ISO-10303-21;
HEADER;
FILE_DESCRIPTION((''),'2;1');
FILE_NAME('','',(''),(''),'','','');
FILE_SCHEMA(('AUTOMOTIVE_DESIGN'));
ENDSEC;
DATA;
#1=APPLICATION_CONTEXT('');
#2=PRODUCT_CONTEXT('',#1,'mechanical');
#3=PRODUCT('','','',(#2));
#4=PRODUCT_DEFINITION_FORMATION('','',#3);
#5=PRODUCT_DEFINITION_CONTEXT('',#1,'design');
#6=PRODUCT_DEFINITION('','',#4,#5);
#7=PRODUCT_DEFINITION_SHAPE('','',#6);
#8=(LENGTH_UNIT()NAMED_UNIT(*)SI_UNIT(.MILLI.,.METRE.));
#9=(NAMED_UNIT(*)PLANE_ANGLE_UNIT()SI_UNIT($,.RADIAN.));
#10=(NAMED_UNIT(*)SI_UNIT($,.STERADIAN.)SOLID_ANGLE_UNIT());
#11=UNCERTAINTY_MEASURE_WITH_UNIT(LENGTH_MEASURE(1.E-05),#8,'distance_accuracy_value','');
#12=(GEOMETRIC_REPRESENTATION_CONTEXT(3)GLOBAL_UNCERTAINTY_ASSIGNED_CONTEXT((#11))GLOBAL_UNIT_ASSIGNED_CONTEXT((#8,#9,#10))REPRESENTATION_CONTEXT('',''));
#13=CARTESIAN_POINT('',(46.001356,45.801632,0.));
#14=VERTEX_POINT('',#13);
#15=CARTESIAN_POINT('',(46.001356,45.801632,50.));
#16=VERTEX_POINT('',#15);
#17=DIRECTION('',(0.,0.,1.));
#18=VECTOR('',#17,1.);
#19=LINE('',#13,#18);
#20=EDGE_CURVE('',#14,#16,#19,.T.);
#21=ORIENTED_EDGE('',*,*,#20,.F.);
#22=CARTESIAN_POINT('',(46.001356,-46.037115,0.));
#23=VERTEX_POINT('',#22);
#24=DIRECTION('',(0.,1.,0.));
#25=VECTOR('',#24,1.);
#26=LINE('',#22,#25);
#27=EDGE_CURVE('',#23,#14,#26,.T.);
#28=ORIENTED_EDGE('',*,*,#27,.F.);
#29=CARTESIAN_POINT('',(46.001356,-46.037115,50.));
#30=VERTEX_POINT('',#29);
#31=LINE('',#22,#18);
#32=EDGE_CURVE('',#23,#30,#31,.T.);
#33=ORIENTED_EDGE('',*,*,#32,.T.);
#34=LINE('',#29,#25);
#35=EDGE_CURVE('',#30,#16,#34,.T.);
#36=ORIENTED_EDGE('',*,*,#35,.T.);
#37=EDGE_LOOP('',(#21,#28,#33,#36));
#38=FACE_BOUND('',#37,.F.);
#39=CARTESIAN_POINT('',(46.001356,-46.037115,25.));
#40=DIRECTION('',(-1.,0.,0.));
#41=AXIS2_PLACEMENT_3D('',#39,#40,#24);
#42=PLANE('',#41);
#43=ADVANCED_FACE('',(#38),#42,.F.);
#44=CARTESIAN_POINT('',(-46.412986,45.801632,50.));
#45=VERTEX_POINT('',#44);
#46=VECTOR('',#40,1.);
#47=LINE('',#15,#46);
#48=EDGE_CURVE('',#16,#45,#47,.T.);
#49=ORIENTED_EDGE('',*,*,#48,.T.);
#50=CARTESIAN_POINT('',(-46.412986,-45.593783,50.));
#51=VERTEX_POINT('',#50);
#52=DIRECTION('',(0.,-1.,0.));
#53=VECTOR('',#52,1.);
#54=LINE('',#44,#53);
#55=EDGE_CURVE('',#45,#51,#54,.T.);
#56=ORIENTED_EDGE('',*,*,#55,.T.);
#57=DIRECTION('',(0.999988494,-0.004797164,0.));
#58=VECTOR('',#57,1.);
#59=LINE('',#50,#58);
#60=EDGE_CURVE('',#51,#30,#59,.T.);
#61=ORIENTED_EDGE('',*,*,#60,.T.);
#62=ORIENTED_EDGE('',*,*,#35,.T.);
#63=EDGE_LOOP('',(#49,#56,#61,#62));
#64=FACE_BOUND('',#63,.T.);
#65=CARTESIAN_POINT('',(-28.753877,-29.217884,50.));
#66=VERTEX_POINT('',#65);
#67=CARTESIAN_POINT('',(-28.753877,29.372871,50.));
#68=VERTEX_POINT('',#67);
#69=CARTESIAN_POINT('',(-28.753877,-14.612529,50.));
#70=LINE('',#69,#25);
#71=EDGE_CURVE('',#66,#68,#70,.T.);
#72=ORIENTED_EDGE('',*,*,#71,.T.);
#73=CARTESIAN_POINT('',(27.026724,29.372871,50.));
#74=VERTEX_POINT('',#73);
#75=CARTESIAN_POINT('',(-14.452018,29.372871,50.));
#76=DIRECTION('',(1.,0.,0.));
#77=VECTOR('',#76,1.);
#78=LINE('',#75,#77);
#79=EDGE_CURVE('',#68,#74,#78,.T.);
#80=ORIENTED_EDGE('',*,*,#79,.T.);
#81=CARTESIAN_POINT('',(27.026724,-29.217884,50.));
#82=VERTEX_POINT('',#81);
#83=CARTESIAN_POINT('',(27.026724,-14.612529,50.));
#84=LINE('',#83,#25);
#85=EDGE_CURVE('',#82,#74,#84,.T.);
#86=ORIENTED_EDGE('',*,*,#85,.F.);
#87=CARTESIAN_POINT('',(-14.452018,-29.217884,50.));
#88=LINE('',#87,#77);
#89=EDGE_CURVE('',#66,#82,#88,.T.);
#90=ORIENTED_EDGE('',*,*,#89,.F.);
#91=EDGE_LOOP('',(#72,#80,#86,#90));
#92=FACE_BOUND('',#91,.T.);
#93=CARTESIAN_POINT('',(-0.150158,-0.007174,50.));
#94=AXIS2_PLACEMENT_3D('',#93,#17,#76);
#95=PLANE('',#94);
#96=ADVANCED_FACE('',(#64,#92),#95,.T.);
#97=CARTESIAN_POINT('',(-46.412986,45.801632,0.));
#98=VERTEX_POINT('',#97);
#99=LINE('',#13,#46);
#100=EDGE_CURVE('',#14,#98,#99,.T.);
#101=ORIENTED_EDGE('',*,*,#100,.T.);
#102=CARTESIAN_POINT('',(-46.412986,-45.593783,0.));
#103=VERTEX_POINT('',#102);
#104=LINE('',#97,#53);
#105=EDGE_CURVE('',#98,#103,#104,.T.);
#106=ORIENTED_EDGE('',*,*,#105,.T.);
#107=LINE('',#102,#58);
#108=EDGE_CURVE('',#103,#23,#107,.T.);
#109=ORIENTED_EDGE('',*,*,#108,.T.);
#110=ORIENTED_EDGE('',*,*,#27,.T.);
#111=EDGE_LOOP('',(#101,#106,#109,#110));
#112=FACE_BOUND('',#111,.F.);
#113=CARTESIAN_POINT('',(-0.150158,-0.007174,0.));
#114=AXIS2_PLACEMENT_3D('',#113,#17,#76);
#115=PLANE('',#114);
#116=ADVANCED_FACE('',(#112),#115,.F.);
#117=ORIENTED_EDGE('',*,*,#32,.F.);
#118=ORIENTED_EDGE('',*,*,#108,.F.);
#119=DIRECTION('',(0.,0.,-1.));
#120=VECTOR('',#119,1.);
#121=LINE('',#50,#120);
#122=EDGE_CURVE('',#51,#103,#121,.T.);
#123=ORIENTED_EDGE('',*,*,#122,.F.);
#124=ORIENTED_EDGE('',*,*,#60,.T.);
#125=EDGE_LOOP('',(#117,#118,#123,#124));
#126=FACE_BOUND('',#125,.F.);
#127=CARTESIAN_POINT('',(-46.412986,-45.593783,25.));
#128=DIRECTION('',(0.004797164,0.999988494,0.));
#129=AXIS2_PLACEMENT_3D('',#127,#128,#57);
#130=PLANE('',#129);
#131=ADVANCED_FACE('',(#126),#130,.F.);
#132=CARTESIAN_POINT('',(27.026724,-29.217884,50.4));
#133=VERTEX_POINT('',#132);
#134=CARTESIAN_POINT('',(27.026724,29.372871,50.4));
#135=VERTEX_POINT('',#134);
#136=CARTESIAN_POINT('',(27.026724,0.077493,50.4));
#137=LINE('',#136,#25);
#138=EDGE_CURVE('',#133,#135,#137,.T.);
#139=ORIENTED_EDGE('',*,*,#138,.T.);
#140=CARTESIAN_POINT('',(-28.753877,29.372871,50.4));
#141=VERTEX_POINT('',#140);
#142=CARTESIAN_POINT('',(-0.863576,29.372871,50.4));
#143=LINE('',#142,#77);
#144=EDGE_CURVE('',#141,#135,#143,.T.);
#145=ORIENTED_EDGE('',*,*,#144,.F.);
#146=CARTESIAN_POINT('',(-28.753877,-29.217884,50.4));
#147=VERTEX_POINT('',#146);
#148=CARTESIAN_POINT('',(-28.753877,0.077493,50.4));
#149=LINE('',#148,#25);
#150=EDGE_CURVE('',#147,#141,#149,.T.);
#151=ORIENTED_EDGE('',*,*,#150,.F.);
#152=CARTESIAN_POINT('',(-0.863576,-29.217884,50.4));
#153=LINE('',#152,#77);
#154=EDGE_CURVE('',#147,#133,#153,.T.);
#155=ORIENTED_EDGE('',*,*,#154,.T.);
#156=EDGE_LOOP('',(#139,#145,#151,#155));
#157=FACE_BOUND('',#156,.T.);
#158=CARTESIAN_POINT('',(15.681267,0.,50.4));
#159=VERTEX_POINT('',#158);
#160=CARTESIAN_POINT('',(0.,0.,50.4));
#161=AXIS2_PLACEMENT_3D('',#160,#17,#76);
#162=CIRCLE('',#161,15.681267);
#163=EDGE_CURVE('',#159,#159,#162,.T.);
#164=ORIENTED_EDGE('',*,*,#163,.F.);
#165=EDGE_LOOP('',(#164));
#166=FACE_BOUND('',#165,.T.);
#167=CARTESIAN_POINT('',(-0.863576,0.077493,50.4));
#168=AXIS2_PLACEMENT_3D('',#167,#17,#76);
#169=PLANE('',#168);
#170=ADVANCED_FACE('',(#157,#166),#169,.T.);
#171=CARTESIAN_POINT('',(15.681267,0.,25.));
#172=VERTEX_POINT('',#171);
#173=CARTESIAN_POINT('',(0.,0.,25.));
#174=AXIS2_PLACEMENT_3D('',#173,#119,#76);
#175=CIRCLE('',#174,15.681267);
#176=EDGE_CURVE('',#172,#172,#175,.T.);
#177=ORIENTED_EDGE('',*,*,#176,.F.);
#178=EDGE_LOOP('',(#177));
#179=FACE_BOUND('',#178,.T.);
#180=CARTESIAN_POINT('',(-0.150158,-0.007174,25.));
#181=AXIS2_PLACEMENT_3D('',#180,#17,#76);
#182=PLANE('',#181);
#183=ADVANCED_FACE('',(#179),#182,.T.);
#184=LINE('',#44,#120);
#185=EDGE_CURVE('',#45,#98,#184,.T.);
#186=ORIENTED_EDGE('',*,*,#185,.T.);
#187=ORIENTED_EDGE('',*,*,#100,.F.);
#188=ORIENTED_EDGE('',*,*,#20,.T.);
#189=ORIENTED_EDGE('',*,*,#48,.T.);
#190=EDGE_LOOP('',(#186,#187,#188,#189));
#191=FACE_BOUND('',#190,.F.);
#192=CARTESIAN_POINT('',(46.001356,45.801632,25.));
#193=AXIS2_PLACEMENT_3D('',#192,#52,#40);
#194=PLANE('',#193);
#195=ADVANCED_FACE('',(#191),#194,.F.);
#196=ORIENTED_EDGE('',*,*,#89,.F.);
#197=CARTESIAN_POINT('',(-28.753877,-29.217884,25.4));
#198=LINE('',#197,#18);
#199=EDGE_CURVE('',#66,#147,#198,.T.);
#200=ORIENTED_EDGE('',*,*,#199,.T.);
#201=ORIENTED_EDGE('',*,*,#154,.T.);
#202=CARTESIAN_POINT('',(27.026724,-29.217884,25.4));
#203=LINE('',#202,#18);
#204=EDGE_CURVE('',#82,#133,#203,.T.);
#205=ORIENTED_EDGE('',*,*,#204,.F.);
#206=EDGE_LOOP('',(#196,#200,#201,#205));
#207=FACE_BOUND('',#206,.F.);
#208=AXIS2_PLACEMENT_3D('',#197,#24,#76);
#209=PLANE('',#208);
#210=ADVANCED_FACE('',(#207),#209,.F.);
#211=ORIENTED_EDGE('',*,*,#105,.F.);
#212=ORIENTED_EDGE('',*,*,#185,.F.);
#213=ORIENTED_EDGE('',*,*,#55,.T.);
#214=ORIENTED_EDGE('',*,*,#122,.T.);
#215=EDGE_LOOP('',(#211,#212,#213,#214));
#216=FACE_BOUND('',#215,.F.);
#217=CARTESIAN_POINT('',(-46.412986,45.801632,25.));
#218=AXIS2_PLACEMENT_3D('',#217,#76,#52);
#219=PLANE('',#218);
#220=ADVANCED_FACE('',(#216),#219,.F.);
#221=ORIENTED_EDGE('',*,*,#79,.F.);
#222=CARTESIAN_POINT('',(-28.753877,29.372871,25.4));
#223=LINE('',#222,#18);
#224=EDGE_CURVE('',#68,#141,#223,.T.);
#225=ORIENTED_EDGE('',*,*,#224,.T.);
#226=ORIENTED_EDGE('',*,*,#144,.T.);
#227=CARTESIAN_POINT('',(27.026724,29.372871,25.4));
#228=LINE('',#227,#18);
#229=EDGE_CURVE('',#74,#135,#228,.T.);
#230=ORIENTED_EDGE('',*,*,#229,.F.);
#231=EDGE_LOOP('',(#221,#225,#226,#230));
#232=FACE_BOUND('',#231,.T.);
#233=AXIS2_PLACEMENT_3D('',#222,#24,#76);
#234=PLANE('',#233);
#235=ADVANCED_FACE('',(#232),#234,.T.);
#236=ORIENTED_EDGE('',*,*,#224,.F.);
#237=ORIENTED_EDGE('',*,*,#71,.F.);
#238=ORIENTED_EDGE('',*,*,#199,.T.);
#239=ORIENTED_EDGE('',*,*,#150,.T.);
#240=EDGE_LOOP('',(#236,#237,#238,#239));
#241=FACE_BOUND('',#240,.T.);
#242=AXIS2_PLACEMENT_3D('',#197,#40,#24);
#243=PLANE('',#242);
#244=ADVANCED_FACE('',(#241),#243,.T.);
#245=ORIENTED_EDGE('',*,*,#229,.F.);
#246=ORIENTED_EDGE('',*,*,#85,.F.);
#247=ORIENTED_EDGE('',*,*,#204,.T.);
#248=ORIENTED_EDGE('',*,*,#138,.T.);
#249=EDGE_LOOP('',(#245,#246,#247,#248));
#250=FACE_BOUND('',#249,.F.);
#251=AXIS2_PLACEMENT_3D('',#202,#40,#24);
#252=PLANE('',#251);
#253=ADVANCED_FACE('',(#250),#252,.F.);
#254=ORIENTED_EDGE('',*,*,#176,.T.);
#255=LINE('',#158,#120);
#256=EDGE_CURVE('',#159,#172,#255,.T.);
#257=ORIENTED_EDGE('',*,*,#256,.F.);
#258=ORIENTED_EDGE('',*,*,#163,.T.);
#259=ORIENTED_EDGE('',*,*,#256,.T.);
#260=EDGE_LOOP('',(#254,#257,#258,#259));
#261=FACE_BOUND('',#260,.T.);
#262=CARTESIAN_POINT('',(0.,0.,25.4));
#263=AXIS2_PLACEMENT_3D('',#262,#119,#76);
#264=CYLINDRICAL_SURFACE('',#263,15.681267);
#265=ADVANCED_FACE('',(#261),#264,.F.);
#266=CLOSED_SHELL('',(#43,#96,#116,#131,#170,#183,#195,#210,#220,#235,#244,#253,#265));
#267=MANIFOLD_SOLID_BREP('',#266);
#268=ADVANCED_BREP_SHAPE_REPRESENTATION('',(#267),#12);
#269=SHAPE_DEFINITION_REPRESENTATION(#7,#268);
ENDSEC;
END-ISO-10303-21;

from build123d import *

# Parameters (mm, degrees)
F0_W     = 55.7806007564
F0_H     = 58.5907548666
F0_R     = 15.6812666629
F1_DEPTH = 25.4
F3_DEPTH = 25
F4_DEPTH = 25


with BuildPart() as f1:
    # F0 (on Top) → F1 (new body)
    with BuildSketch(Plane.XY):
        with Locations((-0.8635763079, 0.0774934888)):
            Rectangle(F0_W, F0_H)
        Circle(F0_R, mode=Mode.SUBTRACT)
    extrude(amount=F1_DEPTH)

    # F2 (on Top) → F3 (join)
    with BuildSketch(Plane.XY):
        Polygon((-46.4129857719, -45.5937832594), (46.0013560951, -46.0371151567), (46.0013560951, 45.8016321063), (-46.4129857719, 45.8016321063), align=None)
    extrude(amount=F3_DEPTH)

    # F4 (add): faces of the model
    f4_faces = [f1.faces().sort_by_distance(p)[0] for p in [
        (26.2177523788, 0.0774934888, 25.4),
        (-0.199564745, -44.5125917544, 25),
    ]]
    extrude(f4_faces, amount=F4_DEPTH)


solid = f1.part
